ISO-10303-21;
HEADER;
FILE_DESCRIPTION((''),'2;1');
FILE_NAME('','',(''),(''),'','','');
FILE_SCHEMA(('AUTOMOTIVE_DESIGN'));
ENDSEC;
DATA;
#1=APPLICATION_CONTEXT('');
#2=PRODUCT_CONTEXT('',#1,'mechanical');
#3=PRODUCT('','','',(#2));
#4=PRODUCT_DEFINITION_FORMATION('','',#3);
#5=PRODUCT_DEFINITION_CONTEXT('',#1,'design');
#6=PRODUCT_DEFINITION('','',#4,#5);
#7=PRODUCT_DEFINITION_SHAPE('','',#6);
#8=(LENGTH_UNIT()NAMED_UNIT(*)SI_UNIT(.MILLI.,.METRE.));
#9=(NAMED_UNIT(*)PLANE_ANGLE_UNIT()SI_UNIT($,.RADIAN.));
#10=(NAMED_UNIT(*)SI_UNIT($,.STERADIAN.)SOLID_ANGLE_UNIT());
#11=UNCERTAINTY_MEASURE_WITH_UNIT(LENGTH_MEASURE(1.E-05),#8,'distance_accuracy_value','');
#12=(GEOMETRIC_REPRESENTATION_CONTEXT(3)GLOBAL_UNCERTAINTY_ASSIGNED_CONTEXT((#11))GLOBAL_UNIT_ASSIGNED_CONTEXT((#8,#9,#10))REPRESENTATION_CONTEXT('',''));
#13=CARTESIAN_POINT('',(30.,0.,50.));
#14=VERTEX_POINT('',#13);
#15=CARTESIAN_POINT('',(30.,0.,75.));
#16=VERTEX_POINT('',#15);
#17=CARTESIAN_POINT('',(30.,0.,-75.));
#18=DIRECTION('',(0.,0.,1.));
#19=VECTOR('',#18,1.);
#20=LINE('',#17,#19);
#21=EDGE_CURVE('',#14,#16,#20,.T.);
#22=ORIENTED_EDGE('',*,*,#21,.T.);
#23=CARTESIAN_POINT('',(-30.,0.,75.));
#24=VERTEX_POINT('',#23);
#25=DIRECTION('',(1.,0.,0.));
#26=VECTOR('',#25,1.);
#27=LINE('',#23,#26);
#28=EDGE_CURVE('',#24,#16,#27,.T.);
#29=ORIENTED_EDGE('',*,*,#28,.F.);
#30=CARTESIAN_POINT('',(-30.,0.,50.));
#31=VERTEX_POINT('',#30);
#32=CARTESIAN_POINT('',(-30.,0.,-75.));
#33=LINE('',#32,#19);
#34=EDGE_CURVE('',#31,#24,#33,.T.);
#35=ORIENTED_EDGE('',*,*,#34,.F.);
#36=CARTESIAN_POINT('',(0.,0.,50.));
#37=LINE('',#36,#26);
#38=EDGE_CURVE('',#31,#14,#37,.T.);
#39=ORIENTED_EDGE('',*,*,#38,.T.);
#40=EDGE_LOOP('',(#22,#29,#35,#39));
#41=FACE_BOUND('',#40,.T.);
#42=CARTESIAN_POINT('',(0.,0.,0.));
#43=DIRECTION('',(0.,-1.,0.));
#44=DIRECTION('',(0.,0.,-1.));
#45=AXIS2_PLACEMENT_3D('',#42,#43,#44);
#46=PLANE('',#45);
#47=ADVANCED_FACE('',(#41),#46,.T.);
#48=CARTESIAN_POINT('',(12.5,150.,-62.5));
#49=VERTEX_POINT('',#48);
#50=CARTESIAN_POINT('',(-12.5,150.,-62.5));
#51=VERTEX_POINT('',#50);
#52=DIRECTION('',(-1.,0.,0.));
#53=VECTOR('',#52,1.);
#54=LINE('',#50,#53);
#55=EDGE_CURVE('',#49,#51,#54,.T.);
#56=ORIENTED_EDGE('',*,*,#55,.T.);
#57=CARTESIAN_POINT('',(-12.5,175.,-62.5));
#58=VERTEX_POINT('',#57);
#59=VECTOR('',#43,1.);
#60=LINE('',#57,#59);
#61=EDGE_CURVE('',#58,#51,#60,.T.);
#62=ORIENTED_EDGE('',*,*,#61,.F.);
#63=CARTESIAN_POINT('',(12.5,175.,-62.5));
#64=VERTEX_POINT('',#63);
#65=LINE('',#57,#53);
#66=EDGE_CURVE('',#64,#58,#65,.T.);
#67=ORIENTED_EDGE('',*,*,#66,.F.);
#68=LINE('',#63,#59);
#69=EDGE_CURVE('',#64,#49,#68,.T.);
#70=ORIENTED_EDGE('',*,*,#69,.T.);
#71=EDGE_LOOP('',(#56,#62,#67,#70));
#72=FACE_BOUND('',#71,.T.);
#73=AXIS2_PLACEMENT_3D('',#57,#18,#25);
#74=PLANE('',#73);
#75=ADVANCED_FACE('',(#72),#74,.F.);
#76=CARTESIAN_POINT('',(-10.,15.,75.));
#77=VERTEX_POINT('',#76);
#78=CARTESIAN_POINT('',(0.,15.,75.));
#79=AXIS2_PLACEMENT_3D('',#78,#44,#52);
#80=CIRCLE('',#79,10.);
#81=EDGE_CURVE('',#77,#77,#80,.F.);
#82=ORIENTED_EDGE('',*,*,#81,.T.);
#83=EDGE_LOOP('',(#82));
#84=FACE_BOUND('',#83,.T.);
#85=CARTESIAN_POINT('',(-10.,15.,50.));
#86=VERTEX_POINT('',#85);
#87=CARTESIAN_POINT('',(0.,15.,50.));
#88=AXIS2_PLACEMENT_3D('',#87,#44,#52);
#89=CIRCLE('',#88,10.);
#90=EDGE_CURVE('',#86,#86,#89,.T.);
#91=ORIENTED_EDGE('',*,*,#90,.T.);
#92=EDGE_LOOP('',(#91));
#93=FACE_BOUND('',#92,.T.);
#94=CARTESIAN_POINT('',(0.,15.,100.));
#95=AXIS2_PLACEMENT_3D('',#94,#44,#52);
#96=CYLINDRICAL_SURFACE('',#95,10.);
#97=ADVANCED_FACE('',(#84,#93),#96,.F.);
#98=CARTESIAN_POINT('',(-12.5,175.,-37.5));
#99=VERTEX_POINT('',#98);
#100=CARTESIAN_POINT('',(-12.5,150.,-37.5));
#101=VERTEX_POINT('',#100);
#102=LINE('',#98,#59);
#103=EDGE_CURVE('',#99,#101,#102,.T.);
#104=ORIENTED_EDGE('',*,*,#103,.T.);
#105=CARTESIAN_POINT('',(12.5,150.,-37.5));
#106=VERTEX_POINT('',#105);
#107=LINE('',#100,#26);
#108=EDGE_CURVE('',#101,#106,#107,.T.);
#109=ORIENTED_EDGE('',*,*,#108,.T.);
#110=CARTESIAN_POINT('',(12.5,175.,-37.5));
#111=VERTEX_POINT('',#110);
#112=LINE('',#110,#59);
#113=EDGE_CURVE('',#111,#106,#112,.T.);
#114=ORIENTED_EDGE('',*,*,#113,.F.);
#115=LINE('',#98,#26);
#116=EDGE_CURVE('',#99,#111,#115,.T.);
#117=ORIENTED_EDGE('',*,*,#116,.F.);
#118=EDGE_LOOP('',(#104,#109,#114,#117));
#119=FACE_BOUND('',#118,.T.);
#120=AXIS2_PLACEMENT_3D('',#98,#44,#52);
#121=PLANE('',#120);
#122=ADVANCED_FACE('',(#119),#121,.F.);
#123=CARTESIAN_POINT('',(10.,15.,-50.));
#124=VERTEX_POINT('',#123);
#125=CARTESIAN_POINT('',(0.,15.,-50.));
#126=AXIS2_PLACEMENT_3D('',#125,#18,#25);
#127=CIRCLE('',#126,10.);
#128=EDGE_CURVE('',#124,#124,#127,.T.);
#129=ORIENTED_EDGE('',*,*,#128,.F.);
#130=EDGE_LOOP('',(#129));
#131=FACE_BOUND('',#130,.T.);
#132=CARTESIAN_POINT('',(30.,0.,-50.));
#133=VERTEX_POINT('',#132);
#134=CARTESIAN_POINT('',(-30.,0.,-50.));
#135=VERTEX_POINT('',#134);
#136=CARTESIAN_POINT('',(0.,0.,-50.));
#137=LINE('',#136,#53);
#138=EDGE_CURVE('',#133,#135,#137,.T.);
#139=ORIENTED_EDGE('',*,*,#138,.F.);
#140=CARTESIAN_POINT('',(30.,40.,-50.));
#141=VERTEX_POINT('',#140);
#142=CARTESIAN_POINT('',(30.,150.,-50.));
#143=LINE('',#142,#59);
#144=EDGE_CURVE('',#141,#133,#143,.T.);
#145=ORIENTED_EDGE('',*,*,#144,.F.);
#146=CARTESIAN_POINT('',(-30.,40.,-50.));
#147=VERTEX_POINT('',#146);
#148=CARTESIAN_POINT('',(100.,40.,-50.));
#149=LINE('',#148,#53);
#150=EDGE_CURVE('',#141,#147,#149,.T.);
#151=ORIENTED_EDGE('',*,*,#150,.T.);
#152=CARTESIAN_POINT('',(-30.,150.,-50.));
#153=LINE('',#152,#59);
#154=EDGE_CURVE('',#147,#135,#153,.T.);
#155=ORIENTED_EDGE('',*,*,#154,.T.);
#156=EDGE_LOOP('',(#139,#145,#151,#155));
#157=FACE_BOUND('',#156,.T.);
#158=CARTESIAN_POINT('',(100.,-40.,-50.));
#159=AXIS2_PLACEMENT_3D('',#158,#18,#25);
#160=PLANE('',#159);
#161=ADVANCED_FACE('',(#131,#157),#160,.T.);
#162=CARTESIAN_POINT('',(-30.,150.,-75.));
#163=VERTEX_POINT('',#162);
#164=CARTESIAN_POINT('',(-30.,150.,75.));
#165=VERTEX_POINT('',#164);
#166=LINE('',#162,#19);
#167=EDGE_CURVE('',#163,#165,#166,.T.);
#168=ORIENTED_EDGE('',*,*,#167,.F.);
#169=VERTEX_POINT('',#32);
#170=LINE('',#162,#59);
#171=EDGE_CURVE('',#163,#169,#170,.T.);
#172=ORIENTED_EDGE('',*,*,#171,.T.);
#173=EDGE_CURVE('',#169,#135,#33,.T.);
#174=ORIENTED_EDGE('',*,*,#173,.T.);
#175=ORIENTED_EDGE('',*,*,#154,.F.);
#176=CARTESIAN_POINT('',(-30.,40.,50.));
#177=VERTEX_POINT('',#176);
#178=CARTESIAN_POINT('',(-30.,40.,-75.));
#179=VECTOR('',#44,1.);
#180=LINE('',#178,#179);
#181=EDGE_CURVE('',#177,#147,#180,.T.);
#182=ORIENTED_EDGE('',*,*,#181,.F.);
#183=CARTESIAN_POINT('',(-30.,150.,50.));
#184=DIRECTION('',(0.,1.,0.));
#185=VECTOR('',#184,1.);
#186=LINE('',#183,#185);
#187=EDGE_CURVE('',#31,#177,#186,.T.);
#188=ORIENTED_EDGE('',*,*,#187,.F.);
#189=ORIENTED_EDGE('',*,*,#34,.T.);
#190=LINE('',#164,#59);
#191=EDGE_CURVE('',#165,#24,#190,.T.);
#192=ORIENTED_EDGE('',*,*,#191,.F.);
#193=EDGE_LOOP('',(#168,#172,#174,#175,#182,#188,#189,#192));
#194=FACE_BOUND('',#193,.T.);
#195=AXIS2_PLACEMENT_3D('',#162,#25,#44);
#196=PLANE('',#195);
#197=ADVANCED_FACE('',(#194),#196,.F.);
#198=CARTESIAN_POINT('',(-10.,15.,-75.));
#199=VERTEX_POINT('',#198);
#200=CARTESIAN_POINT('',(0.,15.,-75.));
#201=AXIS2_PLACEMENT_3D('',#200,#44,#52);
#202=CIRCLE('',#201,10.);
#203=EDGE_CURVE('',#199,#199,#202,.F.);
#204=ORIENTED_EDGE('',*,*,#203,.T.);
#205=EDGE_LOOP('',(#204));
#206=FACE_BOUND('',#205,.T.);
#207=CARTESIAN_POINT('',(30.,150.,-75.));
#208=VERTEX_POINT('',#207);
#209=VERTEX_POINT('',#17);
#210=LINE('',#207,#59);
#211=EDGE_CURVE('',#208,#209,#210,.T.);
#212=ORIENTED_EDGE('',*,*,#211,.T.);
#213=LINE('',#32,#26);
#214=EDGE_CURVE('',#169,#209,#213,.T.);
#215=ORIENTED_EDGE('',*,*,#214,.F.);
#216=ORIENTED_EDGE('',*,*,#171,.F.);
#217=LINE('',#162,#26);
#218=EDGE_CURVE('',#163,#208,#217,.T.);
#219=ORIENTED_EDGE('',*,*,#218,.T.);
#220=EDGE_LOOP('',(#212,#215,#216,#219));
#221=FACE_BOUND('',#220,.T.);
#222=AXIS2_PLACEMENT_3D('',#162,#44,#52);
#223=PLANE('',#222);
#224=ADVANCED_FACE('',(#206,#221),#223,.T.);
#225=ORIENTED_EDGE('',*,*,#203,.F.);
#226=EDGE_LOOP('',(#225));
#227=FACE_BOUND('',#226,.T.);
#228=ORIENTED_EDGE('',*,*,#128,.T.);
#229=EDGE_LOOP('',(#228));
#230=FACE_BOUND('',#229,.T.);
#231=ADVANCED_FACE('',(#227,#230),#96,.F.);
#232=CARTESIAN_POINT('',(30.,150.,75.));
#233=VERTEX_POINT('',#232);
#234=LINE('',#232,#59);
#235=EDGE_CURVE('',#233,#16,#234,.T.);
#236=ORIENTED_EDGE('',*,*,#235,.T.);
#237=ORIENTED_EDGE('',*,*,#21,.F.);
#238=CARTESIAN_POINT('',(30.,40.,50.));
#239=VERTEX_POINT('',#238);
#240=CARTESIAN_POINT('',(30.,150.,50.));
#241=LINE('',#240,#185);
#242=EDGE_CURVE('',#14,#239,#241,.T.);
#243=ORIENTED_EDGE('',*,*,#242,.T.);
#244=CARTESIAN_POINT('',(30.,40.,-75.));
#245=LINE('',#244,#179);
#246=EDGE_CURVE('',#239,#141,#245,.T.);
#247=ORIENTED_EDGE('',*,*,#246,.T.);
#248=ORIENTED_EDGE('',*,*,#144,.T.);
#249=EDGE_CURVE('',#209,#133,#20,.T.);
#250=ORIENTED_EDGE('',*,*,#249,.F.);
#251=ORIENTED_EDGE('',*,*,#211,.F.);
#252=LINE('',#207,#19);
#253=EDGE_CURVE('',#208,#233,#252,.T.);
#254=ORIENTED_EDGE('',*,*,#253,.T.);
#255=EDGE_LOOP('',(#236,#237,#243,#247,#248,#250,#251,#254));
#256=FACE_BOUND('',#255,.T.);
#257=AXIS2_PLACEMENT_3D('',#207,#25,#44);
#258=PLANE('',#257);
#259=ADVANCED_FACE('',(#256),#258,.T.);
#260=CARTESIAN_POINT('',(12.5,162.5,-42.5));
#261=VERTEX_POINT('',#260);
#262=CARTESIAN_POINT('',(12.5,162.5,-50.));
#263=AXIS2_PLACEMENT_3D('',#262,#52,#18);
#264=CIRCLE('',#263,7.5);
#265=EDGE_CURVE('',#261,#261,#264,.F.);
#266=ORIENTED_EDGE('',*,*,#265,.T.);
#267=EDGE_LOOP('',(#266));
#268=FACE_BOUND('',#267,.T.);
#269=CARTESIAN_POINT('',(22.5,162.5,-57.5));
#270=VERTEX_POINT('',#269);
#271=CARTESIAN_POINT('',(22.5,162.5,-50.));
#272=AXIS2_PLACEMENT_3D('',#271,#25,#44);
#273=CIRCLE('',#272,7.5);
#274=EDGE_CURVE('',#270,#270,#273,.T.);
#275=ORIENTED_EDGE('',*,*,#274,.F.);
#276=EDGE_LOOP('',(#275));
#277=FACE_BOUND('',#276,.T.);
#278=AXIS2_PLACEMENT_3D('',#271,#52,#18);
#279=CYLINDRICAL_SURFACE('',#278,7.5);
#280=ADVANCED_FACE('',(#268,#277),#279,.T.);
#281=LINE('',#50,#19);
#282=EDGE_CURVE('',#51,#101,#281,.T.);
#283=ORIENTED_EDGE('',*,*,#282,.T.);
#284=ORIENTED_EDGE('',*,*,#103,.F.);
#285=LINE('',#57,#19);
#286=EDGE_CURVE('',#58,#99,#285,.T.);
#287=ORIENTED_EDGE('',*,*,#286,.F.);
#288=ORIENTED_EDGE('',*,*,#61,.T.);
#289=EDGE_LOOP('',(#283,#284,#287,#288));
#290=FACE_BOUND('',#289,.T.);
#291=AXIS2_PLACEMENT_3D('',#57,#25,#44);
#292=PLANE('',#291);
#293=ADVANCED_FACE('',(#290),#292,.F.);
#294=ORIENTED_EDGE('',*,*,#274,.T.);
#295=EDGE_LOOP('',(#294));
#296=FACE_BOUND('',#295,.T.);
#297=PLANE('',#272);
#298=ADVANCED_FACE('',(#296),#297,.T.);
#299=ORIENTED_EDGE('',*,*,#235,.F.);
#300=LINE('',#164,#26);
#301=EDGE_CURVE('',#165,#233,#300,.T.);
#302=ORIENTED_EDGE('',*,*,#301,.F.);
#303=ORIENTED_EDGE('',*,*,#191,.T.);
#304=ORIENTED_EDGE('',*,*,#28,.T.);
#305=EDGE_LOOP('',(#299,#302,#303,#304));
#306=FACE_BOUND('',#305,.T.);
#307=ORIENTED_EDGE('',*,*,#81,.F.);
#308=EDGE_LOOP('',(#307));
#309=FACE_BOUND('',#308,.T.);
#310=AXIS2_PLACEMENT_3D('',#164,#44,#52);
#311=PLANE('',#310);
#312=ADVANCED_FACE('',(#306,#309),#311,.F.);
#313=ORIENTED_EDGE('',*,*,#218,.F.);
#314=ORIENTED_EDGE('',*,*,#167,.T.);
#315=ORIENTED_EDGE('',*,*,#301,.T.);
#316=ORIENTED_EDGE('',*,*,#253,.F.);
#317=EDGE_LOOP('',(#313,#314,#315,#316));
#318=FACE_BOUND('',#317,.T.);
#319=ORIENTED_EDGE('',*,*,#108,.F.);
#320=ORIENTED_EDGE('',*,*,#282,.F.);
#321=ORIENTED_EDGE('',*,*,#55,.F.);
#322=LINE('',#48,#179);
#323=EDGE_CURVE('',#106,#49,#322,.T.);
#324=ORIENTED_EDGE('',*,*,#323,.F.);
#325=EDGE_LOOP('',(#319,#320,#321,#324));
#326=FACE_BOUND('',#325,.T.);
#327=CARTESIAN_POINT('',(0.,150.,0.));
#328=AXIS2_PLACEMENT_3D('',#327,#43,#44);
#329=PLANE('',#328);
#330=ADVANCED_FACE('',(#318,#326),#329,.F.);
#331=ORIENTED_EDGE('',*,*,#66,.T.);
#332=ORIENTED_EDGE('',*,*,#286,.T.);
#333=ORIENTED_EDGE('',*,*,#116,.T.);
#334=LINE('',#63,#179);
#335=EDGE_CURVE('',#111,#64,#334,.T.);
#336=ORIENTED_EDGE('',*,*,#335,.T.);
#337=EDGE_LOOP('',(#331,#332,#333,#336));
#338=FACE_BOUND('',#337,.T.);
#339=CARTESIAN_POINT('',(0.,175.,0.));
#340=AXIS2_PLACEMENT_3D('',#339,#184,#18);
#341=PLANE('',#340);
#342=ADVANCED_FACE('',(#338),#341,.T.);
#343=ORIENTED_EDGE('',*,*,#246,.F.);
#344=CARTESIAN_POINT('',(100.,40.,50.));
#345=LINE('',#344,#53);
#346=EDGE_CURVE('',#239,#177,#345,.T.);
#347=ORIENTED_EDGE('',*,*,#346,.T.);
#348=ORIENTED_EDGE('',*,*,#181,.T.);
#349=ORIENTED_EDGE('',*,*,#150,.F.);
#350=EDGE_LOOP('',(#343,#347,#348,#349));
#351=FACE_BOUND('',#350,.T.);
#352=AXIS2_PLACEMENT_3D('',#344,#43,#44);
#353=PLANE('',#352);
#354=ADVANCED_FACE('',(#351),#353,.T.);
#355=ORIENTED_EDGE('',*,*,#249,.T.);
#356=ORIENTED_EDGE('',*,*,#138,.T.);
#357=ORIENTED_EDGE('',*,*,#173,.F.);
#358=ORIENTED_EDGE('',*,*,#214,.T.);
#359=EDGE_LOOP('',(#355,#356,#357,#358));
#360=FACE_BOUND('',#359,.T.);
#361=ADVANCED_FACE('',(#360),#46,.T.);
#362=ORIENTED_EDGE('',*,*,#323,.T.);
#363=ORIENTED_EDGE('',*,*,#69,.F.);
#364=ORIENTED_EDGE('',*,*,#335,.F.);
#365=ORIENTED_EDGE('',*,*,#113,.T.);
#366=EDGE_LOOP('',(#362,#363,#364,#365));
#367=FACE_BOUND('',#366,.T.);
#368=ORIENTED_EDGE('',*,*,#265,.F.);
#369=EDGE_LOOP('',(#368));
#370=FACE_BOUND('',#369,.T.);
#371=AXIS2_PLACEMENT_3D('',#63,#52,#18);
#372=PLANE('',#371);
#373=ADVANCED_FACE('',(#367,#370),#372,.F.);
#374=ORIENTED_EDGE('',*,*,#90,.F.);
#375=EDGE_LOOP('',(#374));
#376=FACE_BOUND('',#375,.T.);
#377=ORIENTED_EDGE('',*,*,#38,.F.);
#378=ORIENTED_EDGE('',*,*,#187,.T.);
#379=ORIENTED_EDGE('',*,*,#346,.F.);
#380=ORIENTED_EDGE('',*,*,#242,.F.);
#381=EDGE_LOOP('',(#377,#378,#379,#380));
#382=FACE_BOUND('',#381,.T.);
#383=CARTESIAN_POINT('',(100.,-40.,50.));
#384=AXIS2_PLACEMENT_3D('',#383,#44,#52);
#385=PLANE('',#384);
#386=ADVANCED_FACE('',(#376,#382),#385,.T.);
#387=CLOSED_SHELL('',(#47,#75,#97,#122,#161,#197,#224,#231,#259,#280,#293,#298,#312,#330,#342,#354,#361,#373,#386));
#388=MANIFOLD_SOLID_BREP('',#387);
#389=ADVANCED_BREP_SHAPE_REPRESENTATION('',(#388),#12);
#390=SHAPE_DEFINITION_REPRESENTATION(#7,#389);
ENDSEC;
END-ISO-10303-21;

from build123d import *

# Parameters (mm, degrees)
SKETCH1_W               = 60
SKETCH1_H               = 150
BOSS_EXTRUDE1_DEPTH     = 150
CUT_EXTRUDE1_DEPTH      = 100
CUT_EXTRUDE1_DEPTH_BACK = 100
SKETCH2_R               = 10
CUT_EXTRUDE2_DEPTH      = 100
CUT_EXTRUDE2_DEPTH_BACK = 100
SKETCH3_W               = 100
SKETCH3_H               = 80
SKETCH5_W               = 25
SKETCH5_H               = 25
BOSS_EXTRUDE3_DEPTH     = 25
SKETCH6_R               = 7.5
BOSS_EXTRUDE4_DEPTH     = 10


with BuildPart() as part:
    # Sketch1 → Boss-Extrude1 (new body)
    with BuildSketch(Plane(origin=(0, 0, 0), x_dir=(1, 0, 0), z_dir=(0, 1, 0))):
        Rectangle(SKETCH1_W, SKETCH1_H)
    extrude(amount=BOSS_EXTRUDE1_DEPTH)

    # Sketch2 → Cut-Extrude1 (cut, two sides: drawn at the far end of the back side and taken through both)
    with BuildSketch(Plane.XY.offset(-CUT_EXTRUDE1_DEPTH_BACK)):
        with Locations((0, 15)):
            Circle(SKETCH2_R)
    extrude(amount=CUT_EXTRUDE1_DEPTH + CUT_EXTRUDE1_DEPTH_BACK, mode=Mode.SUBTRACT)

    # Sketch3 → Cut-Extrude2 (cut, two sides: drawn at the far end of the back side and taken through both)
    with BuildSketch(Plane(origin=(0, 0, 0), x_dir=(0, 0, -1), z_dir=(1, 0, 0)).offset(-CUT_EXTRUDE2_DEPTH_BACK)):
        Rectangle(SKETCH3_W, SKETCH3_H)
    extrude(amount=CUT_EXTRUDE2_DEPTH + CUT_EXTRUDE2_DEPTH_BACK, mode=Mode.SUBTRACT)

    # Sketch5 → Boss-Extrude3 (add)
    with BuildSketch(Plane(origin=(0, 150, 0), x_dir=(1, 0, 0), z_dir=(0, 1, 0))):
        with Locations((0, 50)):
            Rectangle(SKETCH5_W, SKETCH5_H)
    extrude(amount=BOSS_EXTRUDE3_DEPTH)

    # Sketch6 → Boss-Extrude4 (add)
    with BuildSketch(Plane(origin=(12.5, 0, 0), x_dir=(0, 0, -1), z_dir=(1, 0, 0))):
        with Locations((50, 162.5)):
            Circle(SKETCH6_R)
    extrude(amount=BOSS_EXTRUDE4_DEPTH)


solid = part.part
